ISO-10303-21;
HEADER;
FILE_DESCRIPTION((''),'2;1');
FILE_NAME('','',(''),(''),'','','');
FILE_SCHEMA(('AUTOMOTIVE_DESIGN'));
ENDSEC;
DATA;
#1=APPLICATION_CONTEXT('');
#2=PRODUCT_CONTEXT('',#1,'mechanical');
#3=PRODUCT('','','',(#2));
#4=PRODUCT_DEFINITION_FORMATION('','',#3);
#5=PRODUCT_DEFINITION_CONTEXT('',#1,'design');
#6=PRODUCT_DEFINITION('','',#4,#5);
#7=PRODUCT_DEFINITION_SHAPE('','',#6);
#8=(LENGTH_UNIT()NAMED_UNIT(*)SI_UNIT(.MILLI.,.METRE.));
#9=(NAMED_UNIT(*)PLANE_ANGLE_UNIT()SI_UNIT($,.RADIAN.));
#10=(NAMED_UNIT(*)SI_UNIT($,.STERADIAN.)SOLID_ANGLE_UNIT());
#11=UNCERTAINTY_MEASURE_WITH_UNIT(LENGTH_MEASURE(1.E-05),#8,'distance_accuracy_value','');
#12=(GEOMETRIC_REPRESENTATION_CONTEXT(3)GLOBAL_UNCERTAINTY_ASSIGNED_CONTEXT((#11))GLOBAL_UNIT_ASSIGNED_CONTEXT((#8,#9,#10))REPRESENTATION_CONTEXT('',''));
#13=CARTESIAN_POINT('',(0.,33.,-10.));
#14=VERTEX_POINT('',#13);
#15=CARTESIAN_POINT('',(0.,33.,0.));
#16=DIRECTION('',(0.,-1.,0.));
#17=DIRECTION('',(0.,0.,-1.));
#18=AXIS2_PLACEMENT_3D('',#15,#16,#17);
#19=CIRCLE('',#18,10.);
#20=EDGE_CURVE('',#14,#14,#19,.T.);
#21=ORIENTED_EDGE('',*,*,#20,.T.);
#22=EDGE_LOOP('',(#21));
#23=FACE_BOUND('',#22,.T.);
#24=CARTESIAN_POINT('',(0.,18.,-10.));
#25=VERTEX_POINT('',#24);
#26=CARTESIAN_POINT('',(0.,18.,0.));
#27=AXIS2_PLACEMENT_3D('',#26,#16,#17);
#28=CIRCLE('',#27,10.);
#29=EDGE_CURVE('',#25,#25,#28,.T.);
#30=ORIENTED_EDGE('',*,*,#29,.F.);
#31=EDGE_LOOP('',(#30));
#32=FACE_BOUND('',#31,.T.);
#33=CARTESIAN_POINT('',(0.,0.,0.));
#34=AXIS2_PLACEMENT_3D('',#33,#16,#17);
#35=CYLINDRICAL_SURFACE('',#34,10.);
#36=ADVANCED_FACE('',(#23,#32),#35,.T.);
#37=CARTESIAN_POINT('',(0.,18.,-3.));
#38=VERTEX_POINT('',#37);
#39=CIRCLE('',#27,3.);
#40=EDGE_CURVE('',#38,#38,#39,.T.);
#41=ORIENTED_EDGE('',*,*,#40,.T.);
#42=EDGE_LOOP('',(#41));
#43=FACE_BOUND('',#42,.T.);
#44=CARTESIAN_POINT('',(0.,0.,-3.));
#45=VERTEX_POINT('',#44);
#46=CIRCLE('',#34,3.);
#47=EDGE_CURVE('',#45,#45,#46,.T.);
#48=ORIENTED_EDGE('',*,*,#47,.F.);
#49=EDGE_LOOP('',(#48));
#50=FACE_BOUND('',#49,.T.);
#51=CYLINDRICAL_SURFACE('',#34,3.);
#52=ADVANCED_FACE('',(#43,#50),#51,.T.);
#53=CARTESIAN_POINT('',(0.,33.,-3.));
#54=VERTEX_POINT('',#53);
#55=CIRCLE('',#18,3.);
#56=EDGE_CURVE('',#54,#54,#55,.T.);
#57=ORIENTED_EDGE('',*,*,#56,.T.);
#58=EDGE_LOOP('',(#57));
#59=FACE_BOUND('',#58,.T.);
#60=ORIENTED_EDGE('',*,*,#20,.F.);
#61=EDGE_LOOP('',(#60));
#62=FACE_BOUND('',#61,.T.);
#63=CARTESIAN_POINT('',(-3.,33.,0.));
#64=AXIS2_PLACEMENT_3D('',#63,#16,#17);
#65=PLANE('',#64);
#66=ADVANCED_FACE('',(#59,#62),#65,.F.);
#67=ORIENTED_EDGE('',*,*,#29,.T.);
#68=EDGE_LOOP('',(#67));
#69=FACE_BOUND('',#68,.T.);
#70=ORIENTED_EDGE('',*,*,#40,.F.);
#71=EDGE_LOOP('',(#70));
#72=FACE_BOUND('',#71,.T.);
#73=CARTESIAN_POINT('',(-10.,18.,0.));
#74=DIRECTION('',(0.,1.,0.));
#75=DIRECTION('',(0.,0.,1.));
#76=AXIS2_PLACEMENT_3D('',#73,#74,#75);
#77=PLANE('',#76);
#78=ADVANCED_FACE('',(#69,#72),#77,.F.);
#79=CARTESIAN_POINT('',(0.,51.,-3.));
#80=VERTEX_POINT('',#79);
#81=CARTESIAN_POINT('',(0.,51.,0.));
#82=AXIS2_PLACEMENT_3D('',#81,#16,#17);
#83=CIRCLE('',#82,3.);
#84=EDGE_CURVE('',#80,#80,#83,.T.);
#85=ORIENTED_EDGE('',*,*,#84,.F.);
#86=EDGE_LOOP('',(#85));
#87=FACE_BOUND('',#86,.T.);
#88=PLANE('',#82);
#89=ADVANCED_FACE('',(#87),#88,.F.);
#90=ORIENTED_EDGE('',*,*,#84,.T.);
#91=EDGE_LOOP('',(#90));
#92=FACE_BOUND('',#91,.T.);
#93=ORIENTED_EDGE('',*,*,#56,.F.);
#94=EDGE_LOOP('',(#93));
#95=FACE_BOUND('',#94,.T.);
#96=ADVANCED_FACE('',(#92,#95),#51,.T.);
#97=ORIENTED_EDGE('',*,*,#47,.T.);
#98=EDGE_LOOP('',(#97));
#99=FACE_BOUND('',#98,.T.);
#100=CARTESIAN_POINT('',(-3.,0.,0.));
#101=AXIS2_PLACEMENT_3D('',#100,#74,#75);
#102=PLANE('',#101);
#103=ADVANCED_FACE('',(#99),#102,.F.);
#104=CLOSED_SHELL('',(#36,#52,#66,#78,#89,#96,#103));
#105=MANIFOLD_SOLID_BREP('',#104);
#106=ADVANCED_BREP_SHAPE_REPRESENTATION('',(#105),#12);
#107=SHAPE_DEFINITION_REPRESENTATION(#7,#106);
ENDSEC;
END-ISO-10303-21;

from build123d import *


with BuildPart() as part:
    # Sketch1 → Revolve1 (revolve)
    with BuildSketch(Plane.XY, mode=Mode.PRIVATE) as revolve1_sk:
        Polygon((0, 51), (-3, 51), (-3, 33), (-10, 33), (-10, 18), (-3, 18), (-3, 0), (0, 0), align=None)
    revolve(revolve1_sk.sketch.rotate(Axis((0, 0, 0), (0, 1, 0)), 270), axis=Axis((0, 0, 0), (0, 1, 0)))


solid = part.part
